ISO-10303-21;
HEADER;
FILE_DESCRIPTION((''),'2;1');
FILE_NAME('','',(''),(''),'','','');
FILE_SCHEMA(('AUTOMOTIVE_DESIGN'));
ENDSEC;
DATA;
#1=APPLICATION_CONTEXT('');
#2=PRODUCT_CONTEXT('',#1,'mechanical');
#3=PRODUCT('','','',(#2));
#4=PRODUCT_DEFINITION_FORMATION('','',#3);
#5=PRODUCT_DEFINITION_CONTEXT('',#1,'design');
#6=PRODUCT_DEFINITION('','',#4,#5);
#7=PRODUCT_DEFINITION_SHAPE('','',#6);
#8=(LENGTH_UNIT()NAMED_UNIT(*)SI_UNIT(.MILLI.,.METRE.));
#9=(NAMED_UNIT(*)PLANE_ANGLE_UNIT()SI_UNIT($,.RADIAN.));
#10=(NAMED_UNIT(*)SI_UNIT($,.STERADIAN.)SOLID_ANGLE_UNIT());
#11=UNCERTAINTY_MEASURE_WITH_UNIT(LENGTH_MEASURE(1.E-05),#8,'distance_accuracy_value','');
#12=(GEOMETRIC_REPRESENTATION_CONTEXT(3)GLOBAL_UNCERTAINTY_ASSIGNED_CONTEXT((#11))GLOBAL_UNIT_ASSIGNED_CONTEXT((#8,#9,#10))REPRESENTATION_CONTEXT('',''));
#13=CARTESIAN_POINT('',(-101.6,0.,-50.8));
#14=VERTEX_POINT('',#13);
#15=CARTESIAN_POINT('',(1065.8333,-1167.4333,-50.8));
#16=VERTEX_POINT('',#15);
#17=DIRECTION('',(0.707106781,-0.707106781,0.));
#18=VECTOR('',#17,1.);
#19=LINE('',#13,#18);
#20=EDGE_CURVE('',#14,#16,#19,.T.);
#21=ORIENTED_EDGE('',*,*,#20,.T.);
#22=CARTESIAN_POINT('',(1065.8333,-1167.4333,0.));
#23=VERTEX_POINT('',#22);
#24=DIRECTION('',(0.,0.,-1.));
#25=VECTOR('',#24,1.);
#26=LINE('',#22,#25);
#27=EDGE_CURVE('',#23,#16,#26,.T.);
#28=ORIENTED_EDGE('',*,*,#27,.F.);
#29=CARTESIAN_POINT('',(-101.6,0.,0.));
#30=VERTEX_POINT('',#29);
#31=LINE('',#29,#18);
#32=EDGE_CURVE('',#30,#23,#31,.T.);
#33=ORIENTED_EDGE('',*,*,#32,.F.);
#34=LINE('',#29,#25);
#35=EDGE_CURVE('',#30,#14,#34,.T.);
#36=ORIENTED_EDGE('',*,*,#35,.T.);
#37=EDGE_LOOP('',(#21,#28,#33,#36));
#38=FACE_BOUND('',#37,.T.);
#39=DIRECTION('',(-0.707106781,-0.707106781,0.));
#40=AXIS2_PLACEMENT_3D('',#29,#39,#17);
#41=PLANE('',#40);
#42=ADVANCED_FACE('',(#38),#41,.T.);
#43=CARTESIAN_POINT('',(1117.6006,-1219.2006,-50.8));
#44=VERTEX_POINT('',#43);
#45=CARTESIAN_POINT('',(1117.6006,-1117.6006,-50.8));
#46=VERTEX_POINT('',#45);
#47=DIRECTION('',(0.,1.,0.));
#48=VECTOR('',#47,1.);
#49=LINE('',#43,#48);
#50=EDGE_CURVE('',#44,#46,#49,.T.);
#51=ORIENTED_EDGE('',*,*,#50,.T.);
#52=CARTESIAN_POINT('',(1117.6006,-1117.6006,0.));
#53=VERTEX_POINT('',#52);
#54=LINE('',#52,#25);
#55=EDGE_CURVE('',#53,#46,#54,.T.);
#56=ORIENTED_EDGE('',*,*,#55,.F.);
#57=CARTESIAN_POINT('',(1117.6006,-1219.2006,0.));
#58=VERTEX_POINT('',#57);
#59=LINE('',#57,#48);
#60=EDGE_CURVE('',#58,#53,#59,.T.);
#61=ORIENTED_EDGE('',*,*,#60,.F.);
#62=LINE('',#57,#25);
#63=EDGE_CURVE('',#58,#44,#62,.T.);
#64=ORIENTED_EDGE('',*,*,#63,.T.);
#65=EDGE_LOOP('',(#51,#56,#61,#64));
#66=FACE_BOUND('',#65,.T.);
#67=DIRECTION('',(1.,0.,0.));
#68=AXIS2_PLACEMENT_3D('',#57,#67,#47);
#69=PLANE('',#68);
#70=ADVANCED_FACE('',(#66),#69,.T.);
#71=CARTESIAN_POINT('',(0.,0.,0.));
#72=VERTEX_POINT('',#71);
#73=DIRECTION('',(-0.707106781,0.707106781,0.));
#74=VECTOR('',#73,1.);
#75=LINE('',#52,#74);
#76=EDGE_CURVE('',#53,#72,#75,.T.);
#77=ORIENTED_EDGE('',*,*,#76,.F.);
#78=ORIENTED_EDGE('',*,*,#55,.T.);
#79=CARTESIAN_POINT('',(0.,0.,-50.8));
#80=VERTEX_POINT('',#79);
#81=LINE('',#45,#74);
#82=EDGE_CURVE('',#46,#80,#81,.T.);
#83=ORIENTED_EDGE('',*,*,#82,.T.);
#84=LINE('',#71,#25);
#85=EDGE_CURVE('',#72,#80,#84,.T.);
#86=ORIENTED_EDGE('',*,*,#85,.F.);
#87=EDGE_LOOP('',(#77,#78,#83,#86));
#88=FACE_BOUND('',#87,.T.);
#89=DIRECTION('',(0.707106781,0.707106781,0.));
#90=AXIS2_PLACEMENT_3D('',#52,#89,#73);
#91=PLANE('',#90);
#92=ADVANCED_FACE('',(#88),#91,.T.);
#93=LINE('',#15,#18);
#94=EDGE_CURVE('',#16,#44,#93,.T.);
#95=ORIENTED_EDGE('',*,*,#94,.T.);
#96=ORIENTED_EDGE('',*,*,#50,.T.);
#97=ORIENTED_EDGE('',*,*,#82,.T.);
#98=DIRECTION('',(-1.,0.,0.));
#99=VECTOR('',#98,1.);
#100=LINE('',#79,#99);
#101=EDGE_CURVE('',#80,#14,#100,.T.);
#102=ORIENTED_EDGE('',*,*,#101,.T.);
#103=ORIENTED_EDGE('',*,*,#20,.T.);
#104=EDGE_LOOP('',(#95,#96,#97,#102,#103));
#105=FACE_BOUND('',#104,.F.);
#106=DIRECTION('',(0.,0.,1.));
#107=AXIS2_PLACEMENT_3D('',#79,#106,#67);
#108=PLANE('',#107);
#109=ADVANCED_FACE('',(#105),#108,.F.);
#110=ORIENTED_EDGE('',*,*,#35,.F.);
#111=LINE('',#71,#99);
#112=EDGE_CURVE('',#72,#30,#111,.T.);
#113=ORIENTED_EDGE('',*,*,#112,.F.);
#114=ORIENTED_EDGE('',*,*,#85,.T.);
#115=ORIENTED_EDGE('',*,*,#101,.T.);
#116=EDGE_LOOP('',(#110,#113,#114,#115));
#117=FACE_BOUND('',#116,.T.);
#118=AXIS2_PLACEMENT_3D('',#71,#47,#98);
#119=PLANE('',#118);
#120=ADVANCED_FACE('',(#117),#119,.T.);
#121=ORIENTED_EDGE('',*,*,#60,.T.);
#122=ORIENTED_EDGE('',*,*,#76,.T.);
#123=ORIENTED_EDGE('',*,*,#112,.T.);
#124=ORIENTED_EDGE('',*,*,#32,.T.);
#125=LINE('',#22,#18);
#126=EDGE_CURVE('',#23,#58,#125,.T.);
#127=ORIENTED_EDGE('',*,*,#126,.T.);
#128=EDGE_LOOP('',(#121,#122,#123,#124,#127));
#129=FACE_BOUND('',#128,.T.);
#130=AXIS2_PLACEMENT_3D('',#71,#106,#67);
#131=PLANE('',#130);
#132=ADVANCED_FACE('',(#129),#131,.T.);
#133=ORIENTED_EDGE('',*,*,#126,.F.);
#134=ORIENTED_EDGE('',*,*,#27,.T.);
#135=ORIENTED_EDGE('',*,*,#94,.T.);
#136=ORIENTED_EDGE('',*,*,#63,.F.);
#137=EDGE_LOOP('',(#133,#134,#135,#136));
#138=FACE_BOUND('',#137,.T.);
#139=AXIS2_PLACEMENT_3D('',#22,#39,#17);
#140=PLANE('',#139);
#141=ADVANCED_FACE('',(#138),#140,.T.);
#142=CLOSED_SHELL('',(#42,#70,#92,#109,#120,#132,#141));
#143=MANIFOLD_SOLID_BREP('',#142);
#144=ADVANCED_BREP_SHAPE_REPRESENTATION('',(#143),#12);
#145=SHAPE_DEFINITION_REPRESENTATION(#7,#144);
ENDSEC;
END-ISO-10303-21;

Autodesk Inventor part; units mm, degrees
ref_plane "YZ Plane" through (0, 0, 0) normal (1, 0, 0) x (0, 1, 0)
ref_plane "XZ Plane" through (0, 0, 0) normal (0, 1, 0) x (-1, 0, 0)
ref_plane "XY Plane" through (0, 0, 0) normal (0, 0, 1) x (1, 0, 0)
ref_plane "Work Plane1" through (0, 0, 0) normal (0, 0, 1) x (1, 0, 0)
sketch "Sketch1" plane through (0, 0, 0) normal (0, 0, 1) x (1, 0, 0)
  line L0 (0, 0) -> (-101.6, 0)
  line L1 (-101.6, 0) -> (1065.8333, -1167.4333)
  line L2 (1065.8333, -1167.4333) -> (1117.6006, -1219.2006)
  line L3 (1117.6006, -1219.2006) -> (1117.6006, -1117.6006)
  line L4 (1117.6006, -1117.6006) -> (0, 0)
  dimension "d1" = 101.6
  dimension "d2" = 1651
  dimension "d4" = 101.6
extrude "Extrusion1" add sketch "Sketch1" against normal blind 50.8
properties part number "2x4x67.88" material "Wood (Birch)"
